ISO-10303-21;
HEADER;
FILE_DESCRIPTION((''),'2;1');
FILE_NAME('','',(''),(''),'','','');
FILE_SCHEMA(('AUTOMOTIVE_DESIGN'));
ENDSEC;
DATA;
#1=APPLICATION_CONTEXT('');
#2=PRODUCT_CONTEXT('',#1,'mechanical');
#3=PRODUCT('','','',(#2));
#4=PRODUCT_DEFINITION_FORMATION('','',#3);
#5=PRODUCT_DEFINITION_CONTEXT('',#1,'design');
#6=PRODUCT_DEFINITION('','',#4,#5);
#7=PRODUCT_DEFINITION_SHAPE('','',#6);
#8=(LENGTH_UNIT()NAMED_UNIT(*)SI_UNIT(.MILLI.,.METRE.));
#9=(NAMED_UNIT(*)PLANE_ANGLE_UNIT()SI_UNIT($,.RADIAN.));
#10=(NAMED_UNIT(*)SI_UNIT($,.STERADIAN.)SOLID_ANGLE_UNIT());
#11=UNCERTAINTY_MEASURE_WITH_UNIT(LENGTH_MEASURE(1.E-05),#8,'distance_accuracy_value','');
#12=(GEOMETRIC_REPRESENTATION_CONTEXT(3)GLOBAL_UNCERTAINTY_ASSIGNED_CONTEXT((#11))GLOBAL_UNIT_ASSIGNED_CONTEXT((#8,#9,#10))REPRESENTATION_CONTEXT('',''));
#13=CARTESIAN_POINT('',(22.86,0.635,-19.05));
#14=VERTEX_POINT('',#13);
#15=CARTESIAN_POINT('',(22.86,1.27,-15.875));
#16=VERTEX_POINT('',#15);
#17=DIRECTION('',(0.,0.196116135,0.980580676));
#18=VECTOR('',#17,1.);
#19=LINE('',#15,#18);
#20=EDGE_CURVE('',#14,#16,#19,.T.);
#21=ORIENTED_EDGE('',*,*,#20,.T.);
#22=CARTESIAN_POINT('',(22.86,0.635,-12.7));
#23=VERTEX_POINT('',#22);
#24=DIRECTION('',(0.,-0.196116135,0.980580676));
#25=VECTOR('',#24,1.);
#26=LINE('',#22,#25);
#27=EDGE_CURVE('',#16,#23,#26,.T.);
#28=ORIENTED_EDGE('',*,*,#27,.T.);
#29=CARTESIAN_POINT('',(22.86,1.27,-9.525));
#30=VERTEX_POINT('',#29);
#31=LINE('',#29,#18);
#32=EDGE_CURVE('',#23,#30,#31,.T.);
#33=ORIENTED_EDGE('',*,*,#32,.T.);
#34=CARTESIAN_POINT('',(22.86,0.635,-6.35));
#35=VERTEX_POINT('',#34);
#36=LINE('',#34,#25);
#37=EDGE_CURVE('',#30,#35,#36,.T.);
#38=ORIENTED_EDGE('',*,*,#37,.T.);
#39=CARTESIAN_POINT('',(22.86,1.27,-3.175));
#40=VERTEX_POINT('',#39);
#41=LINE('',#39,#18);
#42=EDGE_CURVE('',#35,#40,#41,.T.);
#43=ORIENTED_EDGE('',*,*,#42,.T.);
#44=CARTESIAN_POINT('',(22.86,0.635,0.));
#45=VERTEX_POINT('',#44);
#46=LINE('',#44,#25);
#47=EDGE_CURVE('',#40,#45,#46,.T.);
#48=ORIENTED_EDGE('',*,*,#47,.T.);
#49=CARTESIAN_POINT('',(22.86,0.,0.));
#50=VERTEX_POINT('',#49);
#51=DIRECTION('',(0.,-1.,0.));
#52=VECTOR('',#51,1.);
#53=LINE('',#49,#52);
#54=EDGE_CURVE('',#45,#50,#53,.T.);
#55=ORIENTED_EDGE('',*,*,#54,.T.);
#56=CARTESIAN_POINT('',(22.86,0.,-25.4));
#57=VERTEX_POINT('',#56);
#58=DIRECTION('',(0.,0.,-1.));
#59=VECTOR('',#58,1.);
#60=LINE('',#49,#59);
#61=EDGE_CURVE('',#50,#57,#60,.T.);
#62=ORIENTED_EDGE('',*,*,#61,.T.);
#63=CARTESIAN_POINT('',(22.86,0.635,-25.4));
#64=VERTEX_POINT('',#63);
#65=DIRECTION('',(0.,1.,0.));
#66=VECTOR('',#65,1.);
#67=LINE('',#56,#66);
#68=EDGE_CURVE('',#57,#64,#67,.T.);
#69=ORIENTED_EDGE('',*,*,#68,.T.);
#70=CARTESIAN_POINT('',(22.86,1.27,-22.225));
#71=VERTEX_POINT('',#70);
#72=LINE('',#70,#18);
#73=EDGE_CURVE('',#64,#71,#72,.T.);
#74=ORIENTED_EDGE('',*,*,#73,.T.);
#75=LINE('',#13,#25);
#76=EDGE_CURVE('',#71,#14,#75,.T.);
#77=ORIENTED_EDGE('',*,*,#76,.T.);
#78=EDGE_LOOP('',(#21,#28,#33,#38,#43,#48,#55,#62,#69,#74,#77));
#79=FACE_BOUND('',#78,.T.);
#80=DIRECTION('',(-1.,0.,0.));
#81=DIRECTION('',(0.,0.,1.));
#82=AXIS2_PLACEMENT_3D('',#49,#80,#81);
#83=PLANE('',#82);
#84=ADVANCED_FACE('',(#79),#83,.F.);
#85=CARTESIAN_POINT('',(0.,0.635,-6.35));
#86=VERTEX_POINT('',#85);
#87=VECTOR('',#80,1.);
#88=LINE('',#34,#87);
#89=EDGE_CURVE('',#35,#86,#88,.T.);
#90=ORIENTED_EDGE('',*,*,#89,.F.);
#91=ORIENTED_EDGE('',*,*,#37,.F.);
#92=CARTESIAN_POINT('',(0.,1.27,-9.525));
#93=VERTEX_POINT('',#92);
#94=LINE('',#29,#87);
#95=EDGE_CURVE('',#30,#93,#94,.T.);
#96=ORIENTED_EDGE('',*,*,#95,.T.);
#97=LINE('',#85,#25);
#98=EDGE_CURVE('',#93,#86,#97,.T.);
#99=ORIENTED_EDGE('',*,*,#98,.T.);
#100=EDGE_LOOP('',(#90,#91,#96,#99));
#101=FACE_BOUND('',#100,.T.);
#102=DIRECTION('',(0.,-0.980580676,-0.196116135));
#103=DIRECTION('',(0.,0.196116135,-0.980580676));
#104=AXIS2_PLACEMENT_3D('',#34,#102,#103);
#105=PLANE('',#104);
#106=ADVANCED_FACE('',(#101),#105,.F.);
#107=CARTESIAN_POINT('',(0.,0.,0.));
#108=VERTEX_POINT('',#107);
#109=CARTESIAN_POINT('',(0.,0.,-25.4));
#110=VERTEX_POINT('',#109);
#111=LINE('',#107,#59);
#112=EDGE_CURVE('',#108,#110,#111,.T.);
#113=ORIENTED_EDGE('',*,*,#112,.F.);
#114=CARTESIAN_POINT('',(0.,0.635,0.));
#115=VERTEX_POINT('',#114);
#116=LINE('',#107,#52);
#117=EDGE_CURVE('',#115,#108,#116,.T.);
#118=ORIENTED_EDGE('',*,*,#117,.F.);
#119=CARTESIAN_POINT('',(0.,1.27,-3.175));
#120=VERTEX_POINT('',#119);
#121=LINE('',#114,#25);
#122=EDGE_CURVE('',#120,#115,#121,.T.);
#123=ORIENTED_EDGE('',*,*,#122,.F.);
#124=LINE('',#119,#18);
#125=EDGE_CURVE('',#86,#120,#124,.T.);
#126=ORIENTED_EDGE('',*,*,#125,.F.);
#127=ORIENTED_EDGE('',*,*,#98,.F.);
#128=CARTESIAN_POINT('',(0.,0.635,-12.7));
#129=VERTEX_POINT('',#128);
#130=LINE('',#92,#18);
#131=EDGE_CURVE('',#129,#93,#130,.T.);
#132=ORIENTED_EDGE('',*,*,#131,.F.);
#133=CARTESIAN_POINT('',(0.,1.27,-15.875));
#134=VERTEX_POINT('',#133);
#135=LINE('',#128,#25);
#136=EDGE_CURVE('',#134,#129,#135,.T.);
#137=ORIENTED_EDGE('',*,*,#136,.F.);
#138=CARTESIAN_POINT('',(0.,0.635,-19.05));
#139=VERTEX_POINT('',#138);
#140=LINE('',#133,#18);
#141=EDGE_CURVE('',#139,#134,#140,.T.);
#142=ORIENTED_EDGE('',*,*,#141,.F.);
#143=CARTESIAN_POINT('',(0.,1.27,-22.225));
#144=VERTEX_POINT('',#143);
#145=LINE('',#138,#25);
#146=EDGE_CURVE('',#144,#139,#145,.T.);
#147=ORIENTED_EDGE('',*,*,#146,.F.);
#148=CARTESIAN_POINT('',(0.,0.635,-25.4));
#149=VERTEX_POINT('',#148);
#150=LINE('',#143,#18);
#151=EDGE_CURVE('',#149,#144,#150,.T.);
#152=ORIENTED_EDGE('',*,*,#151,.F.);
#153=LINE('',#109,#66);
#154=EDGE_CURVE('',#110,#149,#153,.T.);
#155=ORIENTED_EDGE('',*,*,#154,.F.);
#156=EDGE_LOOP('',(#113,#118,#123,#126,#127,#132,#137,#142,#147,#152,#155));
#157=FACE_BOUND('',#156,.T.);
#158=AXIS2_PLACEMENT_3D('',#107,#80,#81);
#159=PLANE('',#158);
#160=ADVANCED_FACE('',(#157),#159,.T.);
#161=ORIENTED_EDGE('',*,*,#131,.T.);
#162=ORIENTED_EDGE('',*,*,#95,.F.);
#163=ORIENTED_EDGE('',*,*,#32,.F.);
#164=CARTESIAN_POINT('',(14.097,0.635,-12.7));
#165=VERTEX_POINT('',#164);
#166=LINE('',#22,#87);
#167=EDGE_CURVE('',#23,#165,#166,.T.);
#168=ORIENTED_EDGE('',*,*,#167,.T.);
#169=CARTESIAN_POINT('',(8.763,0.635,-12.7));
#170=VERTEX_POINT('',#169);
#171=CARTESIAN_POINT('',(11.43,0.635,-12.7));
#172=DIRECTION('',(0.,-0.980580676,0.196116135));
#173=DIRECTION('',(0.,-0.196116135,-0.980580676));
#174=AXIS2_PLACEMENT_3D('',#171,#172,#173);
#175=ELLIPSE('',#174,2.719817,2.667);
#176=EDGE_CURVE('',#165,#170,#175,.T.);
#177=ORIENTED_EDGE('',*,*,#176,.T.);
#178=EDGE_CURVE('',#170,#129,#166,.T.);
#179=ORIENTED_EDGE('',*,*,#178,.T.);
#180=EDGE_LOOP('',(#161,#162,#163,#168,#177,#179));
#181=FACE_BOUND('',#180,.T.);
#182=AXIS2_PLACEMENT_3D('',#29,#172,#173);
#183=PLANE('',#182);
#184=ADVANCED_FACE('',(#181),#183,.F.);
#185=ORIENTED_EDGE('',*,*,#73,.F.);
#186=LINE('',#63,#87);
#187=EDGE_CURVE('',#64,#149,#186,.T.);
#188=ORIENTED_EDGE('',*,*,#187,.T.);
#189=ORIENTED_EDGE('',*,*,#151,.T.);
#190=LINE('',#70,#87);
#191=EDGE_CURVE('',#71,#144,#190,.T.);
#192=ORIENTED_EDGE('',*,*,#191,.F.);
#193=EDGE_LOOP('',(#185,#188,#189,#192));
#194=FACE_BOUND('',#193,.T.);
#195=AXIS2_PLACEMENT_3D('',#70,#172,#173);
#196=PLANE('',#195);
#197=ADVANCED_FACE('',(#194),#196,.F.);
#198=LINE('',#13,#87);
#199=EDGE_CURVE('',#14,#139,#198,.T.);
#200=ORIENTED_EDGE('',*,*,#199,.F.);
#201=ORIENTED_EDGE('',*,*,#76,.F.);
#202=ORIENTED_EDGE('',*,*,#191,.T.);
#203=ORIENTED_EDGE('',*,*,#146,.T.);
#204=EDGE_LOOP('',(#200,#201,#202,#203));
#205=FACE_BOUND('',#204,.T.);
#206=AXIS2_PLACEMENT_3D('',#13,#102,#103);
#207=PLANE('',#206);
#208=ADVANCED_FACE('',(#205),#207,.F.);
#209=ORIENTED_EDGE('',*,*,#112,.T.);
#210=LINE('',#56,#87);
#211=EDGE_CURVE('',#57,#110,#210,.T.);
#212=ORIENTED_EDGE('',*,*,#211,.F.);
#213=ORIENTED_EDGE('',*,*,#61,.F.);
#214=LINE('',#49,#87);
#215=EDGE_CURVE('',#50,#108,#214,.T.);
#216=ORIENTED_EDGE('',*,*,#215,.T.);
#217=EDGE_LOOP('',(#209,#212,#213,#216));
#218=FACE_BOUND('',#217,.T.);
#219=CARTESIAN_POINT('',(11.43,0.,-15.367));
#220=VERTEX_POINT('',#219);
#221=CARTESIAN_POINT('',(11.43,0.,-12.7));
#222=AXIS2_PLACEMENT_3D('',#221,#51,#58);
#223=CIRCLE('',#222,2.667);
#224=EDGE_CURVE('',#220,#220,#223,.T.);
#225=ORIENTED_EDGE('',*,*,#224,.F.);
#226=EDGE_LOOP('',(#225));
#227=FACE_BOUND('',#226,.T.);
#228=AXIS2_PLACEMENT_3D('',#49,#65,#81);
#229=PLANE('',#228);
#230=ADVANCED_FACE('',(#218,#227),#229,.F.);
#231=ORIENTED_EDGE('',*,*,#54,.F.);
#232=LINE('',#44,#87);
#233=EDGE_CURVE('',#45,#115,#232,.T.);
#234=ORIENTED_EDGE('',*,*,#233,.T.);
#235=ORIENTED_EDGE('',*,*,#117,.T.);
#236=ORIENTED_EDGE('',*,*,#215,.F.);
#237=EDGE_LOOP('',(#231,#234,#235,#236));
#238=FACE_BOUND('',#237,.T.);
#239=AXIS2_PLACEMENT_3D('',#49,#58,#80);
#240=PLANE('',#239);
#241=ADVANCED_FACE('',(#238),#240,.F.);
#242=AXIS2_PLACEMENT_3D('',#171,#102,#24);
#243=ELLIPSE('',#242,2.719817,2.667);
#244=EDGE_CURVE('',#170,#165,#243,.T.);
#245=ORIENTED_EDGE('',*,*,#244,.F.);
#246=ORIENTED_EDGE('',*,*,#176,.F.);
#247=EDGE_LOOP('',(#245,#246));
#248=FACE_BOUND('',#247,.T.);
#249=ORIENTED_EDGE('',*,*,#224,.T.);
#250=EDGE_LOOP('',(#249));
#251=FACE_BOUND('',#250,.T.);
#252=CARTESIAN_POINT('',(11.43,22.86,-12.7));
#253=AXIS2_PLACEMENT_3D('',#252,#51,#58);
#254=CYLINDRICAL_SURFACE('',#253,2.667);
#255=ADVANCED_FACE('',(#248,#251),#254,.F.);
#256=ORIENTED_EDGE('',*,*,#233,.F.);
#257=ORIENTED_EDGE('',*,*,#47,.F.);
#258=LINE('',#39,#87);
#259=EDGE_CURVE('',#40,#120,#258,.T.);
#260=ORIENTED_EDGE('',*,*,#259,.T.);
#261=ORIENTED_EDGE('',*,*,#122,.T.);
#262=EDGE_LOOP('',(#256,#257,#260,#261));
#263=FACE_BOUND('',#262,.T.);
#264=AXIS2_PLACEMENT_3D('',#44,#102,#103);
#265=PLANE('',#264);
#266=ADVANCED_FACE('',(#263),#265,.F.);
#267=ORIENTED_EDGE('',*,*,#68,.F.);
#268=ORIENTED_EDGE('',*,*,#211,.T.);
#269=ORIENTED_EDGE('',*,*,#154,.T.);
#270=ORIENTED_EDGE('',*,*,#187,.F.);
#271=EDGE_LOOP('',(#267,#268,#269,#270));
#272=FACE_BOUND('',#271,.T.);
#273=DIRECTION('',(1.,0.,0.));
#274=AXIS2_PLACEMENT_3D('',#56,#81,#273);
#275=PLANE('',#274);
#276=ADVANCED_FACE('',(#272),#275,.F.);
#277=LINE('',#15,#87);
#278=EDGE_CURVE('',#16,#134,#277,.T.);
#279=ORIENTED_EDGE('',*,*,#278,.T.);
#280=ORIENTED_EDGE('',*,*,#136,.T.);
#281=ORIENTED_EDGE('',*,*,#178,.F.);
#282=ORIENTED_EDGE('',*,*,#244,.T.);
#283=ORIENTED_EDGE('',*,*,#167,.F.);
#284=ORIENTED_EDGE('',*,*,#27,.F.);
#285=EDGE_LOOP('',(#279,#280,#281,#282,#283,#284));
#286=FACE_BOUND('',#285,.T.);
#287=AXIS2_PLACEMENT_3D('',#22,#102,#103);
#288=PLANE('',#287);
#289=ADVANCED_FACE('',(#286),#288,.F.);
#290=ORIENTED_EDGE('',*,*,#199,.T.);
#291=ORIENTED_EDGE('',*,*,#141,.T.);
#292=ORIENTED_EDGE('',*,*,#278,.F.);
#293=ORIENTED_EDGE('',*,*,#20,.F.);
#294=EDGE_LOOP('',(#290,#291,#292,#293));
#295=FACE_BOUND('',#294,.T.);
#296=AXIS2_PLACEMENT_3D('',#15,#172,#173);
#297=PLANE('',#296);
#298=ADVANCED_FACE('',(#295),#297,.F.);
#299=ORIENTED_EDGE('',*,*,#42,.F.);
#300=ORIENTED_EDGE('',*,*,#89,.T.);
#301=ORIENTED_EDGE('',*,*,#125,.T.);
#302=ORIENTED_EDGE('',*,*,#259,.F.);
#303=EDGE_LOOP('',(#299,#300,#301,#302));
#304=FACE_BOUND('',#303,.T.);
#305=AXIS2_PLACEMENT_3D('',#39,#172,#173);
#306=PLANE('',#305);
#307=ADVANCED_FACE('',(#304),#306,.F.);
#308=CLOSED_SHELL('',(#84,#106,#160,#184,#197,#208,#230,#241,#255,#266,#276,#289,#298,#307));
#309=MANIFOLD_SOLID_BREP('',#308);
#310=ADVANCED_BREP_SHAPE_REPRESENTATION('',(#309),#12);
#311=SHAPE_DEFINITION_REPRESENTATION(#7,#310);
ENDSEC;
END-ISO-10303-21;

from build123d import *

# Parameters (mm, degrees)
BOSS_EXTRUDE1_DEPTH = 22.86
SKETCH7_R           = 2.667
CUT_EXTRUDE1_DEPTH  = 22.86


with BuildPart() as part:
    # Sketch6 → Boss-Extrude1 (new body)
    with BuildSketch(Plane(origin=(0, 0, 0), x_dir=(0, 0, -1), z_dir=(1, 0, 0))):
        Polygon((0, 0), (25.4, 0), (25.4, 0.635), (22.225, 1.27), (19.05, 0.635), (15.875, 1.27), (12.7, 0.635), (9.525, 1.27), (6.35, 0.635), (3.175, 1.27), (0, 0.635), align=None)
    extrude(amount=BOSS_EXTRUDE1_DEPTH)

    # Sketch7 → Cut-Extrude1 (cut)
    with BuildSketch(Plane.XZ):
        with Locations(Location((11.43, -12.7, 0), (0, 0, 270))):
            Circle(SKETCH7_R)
    extrude(amount=-CUT_EXTRUDE1_DEPTH, mode=Mode.SUBTRACT)


solid = part.part
